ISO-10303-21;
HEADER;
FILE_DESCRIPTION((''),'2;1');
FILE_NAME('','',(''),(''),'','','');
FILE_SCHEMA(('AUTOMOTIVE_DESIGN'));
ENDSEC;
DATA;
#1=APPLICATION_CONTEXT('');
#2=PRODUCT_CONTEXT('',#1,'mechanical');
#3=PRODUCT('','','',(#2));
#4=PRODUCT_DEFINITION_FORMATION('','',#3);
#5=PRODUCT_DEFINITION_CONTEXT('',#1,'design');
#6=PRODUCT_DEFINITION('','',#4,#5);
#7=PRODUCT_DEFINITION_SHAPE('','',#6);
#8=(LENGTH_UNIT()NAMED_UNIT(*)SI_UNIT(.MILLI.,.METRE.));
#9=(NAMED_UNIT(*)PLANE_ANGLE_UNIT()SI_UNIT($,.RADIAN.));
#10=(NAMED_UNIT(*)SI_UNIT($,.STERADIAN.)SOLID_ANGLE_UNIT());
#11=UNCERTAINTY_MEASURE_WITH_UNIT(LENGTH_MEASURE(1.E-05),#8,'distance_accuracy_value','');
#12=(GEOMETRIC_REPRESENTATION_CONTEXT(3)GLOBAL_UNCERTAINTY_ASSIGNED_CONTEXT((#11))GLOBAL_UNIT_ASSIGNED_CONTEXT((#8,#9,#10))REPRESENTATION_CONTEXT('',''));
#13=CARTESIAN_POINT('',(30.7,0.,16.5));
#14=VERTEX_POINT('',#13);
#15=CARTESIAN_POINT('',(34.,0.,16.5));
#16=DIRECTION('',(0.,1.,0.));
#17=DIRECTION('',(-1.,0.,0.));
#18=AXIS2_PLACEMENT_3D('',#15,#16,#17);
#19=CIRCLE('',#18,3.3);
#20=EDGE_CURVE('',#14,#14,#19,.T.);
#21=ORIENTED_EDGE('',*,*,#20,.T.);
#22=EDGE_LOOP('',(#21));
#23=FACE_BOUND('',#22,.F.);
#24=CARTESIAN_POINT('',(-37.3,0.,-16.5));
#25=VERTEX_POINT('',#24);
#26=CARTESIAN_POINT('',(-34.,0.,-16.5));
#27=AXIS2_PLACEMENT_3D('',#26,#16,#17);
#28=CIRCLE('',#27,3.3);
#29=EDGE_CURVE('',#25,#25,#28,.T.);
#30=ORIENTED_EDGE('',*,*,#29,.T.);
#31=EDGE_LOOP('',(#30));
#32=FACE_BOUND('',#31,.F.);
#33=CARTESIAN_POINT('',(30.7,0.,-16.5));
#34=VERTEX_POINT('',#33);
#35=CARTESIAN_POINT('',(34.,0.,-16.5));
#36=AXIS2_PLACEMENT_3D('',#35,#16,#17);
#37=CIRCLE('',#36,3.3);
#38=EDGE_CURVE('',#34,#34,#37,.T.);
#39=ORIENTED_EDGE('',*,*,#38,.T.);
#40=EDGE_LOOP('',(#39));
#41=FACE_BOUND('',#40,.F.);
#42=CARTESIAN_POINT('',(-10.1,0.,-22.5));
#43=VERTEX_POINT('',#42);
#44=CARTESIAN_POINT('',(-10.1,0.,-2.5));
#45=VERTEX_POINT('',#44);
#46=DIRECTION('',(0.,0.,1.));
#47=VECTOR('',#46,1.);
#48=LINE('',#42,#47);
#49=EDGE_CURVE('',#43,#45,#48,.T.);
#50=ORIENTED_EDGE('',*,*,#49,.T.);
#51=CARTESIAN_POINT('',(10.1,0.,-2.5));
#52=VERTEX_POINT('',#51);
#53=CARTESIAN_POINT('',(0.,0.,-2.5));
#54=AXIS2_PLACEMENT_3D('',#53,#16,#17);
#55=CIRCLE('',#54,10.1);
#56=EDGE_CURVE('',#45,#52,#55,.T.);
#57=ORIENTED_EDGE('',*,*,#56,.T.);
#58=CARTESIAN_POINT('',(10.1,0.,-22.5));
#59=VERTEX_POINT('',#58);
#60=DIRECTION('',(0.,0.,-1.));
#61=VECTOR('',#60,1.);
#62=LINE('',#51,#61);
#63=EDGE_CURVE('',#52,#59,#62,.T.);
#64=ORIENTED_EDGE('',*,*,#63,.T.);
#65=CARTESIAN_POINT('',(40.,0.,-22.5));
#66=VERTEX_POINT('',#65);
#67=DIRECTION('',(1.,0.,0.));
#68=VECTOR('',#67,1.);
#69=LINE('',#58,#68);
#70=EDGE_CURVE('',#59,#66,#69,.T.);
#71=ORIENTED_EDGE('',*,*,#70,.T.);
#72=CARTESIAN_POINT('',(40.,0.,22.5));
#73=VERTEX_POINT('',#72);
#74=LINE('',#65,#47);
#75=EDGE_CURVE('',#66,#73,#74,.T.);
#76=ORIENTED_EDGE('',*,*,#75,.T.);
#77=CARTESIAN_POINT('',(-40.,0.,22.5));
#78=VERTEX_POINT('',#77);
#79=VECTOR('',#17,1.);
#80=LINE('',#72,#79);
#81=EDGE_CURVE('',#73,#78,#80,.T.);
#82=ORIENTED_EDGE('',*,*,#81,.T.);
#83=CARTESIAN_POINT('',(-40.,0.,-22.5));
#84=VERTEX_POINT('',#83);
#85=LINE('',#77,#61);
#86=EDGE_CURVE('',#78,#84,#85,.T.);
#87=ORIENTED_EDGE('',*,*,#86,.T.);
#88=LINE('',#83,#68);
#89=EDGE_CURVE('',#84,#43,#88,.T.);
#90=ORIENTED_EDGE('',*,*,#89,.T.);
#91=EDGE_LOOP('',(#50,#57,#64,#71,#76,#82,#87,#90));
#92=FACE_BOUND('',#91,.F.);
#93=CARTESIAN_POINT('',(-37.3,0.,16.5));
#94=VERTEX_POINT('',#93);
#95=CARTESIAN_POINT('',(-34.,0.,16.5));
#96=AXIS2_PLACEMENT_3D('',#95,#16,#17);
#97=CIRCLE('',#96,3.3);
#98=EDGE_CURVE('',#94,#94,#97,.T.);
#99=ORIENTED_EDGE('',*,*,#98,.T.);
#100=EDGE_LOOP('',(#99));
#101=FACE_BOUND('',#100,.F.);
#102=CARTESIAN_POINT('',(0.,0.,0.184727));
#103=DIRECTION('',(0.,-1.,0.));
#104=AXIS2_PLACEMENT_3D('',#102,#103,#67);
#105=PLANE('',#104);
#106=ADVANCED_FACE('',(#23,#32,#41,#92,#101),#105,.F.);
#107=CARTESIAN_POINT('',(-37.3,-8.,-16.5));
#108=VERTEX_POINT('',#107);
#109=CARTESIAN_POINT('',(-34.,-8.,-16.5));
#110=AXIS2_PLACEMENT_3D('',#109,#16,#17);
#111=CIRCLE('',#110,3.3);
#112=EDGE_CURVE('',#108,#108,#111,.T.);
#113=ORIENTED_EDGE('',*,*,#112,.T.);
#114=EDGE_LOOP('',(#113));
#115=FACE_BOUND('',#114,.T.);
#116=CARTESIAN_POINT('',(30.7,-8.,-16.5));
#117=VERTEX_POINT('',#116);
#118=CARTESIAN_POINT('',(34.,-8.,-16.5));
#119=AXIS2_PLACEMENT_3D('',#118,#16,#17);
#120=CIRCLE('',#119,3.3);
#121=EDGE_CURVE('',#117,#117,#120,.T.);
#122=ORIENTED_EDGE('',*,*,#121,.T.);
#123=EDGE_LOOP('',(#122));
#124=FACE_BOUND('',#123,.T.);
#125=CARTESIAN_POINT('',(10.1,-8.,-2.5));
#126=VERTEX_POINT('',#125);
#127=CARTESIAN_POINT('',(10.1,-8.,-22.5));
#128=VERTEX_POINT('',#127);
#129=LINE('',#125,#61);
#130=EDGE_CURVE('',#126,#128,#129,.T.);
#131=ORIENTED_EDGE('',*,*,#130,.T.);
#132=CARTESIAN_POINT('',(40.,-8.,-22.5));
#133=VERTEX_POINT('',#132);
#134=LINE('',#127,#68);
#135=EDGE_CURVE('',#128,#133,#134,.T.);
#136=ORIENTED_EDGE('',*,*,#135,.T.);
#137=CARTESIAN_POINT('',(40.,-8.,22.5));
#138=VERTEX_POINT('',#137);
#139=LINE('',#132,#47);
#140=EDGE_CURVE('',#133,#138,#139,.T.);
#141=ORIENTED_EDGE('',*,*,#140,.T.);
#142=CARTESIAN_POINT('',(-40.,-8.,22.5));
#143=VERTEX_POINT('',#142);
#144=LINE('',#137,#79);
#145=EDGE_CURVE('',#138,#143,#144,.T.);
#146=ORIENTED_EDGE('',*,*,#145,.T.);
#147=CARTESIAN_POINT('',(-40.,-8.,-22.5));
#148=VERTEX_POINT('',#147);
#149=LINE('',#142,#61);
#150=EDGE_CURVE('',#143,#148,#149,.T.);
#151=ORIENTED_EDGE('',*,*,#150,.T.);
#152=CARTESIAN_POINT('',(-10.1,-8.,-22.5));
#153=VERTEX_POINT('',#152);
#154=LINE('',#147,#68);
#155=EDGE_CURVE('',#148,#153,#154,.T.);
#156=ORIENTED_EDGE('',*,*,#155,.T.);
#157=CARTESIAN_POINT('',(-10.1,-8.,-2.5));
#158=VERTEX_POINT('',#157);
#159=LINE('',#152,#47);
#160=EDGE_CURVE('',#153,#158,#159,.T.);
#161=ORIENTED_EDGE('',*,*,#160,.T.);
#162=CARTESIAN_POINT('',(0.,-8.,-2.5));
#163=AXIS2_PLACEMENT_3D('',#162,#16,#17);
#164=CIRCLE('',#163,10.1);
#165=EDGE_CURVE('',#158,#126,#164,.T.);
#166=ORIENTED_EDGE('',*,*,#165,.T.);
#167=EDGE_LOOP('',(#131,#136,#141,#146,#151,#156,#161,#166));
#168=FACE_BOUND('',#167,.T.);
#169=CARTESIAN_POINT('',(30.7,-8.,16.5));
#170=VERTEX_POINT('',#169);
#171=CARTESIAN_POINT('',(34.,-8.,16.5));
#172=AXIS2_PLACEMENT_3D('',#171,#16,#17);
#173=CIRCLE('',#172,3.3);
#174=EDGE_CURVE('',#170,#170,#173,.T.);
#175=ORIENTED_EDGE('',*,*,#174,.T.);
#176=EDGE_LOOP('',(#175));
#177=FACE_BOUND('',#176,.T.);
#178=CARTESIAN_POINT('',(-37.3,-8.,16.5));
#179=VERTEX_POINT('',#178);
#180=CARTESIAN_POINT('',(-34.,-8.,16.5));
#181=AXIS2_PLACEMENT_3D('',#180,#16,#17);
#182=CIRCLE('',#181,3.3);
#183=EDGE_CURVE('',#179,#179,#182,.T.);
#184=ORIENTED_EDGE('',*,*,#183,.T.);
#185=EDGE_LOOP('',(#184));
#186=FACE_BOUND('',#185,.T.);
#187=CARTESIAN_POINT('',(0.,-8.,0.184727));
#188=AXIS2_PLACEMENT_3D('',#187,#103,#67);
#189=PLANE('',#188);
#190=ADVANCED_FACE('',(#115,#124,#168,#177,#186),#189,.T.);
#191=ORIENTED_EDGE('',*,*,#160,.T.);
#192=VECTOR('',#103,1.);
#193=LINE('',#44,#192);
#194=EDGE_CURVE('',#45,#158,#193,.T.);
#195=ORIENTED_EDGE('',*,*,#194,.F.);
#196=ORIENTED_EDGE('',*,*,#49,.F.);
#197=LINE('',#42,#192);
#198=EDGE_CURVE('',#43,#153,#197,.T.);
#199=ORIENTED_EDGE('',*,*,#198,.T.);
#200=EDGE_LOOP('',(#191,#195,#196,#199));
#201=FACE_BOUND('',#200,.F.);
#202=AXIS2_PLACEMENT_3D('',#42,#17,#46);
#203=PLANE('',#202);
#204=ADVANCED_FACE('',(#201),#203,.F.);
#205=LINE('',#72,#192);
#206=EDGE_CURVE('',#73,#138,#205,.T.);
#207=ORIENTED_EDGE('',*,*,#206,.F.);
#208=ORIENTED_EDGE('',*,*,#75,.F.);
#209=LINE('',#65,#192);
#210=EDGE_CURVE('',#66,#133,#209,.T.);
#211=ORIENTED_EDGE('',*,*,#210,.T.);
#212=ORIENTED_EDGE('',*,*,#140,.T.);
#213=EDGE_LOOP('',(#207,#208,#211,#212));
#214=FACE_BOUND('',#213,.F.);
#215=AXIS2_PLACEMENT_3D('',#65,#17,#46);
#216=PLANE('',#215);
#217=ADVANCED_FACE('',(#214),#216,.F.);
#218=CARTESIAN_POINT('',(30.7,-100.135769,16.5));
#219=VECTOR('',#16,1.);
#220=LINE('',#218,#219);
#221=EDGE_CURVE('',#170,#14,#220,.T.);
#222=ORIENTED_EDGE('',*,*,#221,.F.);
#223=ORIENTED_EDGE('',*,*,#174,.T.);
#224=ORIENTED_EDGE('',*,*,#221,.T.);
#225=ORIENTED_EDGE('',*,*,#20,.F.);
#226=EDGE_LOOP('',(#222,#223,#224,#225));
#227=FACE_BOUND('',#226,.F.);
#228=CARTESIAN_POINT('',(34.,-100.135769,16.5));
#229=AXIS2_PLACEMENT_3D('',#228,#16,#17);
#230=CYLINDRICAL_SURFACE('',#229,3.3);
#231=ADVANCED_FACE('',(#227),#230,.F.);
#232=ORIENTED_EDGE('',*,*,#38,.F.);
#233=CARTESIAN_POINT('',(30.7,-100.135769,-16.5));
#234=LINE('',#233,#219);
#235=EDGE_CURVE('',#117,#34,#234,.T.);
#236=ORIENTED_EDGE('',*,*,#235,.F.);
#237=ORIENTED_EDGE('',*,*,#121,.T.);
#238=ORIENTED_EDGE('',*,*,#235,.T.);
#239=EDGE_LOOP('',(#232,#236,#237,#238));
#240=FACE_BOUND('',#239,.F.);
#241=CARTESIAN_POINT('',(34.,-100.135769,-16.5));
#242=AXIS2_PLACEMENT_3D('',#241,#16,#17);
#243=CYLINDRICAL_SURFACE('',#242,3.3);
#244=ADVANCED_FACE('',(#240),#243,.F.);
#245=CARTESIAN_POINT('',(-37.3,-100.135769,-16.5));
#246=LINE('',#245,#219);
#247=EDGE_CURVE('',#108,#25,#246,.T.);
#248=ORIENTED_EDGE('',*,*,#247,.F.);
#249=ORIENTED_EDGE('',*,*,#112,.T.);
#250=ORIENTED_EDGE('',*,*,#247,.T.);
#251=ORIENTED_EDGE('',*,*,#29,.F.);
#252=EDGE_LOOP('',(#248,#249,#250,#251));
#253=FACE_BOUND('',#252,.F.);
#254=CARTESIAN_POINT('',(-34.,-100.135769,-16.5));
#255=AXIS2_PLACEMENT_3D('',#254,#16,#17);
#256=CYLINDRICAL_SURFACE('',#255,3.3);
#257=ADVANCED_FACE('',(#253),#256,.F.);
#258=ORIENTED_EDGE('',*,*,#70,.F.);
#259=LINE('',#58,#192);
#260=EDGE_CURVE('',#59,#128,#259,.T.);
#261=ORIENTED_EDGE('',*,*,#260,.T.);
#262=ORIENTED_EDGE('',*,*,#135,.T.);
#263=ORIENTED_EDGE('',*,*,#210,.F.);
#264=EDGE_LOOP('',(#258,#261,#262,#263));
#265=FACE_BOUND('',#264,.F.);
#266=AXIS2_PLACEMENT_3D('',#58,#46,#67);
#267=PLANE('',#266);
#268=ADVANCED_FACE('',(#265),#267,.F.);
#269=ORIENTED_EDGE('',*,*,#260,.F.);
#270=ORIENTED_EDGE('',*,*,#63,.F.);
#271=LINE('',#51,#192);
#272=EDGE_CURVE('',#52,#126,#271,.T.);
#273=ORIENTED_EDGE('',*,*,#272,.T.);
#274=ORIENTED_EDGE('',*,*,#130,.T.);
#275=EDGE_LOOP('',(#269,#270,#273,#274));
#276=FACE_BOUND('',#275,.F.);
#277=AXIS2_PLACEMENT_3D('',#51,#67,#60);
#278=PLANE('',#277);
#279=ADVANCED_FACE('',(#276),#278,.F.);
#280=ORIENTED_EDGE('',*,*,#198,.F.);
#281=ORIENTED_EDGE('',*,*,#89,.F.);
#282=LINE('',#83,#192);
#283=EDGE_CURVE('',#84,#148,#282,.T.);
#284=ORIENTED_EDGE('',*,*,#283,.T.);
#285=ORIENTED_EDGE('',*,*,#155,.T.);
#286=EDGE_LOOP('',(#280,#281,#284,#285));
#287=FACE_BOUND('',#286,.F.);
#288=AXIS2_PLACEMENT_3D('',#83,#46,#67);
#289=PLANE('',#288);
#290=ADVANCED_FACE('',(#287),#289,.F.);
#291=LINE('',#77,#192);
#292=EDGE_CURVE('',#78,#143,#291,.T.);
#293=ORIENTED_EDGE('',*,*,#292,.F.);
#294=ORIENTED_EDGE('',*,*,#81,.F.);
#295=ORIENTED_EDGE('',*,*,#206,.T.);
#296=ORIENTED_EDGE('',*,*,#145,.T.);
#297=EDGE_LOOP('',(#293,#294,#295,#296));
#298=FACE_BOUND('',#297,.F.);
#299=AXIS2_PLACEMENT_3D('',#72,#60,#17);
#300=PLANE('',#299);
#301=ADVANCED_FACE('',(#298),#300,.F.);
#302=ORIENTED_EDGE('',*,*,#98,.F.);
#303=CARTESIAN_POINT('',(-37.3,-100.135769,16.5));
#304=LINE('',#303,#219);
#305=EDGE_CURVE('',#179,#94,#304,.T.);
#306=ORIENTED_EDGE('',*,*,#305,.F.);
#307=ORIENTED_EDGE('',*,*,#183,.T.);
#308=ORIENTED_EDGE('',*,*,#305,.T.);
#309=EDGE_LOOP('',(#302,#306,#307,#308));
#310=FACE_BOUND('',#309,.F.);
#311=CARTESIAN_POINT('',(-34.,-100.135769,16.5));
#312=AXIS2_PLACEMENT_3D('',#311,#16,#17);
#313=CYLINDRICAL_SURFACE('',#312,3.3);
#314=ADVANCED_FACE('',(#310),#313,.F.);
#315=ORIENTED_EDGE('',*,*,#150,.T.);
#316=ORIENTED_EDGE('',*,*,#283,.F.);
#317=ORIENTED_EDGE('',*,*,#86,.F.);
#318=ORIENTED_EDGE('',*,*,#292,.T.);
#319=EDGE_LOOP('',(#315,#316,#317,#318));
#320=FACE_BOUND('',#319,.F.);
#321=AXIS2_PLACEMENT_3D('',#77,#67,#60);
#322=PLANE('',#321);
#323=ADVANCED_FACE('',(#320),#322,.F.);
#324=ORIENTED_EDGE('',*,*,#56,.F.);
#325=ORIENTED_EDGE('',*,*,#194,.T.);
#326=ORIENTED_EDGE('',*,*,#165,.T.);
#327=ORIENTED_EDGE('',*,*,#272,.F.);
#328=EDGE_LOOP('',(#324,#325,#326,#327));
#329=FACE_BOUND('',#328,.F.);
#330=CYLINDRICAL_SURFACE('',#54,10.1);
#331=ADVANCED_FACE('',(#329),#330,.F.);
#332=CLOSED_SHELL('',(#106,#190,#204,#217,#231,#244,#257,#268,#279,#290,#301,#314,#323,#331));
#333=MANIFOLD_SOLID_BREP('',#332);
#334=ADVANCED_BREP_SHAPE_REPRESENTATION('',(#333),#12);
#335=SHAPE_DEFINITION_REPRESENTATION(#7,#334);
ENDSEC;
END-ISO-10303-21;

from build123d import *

# Parameters (mm, degrees)
F1_DEPTH = 8
F3_D     = 6.6


with BuildPart() as f1:
    # F0 (on Front) → F1 (new body)
    with BuildSketch(Plane.XZ):
        with BuildLine():
            Line((40, 22.5), (-40, 22.5))
            Line((-40, 22.5), (-40, -22.5))
            Line((-40, -22.5), (-10.1, -22.5))
            Line((-10.1, -22.5), (-10.1, -2.5))
            ThreePointArc((-10.1, -2.5), (0, 7.6), (10.1, -2.5))
            Line((10.1, -2.5), (10.1, -22.5))
            Line((10.1, -22.5), (40, -22.5))
            Line((40, -22.5), (40, 22.5))
        make_face()
    extrude(amount=F1_DEPTH)

    # F3 (through all)
    with Locations(Plane.XZ.offset(8)):
        with Locations((-34, 16.5), (-34, -16.5), (34, -16.5), (34, 16.5)):
            Hole(F3_D / 2)


solid = f1.part
